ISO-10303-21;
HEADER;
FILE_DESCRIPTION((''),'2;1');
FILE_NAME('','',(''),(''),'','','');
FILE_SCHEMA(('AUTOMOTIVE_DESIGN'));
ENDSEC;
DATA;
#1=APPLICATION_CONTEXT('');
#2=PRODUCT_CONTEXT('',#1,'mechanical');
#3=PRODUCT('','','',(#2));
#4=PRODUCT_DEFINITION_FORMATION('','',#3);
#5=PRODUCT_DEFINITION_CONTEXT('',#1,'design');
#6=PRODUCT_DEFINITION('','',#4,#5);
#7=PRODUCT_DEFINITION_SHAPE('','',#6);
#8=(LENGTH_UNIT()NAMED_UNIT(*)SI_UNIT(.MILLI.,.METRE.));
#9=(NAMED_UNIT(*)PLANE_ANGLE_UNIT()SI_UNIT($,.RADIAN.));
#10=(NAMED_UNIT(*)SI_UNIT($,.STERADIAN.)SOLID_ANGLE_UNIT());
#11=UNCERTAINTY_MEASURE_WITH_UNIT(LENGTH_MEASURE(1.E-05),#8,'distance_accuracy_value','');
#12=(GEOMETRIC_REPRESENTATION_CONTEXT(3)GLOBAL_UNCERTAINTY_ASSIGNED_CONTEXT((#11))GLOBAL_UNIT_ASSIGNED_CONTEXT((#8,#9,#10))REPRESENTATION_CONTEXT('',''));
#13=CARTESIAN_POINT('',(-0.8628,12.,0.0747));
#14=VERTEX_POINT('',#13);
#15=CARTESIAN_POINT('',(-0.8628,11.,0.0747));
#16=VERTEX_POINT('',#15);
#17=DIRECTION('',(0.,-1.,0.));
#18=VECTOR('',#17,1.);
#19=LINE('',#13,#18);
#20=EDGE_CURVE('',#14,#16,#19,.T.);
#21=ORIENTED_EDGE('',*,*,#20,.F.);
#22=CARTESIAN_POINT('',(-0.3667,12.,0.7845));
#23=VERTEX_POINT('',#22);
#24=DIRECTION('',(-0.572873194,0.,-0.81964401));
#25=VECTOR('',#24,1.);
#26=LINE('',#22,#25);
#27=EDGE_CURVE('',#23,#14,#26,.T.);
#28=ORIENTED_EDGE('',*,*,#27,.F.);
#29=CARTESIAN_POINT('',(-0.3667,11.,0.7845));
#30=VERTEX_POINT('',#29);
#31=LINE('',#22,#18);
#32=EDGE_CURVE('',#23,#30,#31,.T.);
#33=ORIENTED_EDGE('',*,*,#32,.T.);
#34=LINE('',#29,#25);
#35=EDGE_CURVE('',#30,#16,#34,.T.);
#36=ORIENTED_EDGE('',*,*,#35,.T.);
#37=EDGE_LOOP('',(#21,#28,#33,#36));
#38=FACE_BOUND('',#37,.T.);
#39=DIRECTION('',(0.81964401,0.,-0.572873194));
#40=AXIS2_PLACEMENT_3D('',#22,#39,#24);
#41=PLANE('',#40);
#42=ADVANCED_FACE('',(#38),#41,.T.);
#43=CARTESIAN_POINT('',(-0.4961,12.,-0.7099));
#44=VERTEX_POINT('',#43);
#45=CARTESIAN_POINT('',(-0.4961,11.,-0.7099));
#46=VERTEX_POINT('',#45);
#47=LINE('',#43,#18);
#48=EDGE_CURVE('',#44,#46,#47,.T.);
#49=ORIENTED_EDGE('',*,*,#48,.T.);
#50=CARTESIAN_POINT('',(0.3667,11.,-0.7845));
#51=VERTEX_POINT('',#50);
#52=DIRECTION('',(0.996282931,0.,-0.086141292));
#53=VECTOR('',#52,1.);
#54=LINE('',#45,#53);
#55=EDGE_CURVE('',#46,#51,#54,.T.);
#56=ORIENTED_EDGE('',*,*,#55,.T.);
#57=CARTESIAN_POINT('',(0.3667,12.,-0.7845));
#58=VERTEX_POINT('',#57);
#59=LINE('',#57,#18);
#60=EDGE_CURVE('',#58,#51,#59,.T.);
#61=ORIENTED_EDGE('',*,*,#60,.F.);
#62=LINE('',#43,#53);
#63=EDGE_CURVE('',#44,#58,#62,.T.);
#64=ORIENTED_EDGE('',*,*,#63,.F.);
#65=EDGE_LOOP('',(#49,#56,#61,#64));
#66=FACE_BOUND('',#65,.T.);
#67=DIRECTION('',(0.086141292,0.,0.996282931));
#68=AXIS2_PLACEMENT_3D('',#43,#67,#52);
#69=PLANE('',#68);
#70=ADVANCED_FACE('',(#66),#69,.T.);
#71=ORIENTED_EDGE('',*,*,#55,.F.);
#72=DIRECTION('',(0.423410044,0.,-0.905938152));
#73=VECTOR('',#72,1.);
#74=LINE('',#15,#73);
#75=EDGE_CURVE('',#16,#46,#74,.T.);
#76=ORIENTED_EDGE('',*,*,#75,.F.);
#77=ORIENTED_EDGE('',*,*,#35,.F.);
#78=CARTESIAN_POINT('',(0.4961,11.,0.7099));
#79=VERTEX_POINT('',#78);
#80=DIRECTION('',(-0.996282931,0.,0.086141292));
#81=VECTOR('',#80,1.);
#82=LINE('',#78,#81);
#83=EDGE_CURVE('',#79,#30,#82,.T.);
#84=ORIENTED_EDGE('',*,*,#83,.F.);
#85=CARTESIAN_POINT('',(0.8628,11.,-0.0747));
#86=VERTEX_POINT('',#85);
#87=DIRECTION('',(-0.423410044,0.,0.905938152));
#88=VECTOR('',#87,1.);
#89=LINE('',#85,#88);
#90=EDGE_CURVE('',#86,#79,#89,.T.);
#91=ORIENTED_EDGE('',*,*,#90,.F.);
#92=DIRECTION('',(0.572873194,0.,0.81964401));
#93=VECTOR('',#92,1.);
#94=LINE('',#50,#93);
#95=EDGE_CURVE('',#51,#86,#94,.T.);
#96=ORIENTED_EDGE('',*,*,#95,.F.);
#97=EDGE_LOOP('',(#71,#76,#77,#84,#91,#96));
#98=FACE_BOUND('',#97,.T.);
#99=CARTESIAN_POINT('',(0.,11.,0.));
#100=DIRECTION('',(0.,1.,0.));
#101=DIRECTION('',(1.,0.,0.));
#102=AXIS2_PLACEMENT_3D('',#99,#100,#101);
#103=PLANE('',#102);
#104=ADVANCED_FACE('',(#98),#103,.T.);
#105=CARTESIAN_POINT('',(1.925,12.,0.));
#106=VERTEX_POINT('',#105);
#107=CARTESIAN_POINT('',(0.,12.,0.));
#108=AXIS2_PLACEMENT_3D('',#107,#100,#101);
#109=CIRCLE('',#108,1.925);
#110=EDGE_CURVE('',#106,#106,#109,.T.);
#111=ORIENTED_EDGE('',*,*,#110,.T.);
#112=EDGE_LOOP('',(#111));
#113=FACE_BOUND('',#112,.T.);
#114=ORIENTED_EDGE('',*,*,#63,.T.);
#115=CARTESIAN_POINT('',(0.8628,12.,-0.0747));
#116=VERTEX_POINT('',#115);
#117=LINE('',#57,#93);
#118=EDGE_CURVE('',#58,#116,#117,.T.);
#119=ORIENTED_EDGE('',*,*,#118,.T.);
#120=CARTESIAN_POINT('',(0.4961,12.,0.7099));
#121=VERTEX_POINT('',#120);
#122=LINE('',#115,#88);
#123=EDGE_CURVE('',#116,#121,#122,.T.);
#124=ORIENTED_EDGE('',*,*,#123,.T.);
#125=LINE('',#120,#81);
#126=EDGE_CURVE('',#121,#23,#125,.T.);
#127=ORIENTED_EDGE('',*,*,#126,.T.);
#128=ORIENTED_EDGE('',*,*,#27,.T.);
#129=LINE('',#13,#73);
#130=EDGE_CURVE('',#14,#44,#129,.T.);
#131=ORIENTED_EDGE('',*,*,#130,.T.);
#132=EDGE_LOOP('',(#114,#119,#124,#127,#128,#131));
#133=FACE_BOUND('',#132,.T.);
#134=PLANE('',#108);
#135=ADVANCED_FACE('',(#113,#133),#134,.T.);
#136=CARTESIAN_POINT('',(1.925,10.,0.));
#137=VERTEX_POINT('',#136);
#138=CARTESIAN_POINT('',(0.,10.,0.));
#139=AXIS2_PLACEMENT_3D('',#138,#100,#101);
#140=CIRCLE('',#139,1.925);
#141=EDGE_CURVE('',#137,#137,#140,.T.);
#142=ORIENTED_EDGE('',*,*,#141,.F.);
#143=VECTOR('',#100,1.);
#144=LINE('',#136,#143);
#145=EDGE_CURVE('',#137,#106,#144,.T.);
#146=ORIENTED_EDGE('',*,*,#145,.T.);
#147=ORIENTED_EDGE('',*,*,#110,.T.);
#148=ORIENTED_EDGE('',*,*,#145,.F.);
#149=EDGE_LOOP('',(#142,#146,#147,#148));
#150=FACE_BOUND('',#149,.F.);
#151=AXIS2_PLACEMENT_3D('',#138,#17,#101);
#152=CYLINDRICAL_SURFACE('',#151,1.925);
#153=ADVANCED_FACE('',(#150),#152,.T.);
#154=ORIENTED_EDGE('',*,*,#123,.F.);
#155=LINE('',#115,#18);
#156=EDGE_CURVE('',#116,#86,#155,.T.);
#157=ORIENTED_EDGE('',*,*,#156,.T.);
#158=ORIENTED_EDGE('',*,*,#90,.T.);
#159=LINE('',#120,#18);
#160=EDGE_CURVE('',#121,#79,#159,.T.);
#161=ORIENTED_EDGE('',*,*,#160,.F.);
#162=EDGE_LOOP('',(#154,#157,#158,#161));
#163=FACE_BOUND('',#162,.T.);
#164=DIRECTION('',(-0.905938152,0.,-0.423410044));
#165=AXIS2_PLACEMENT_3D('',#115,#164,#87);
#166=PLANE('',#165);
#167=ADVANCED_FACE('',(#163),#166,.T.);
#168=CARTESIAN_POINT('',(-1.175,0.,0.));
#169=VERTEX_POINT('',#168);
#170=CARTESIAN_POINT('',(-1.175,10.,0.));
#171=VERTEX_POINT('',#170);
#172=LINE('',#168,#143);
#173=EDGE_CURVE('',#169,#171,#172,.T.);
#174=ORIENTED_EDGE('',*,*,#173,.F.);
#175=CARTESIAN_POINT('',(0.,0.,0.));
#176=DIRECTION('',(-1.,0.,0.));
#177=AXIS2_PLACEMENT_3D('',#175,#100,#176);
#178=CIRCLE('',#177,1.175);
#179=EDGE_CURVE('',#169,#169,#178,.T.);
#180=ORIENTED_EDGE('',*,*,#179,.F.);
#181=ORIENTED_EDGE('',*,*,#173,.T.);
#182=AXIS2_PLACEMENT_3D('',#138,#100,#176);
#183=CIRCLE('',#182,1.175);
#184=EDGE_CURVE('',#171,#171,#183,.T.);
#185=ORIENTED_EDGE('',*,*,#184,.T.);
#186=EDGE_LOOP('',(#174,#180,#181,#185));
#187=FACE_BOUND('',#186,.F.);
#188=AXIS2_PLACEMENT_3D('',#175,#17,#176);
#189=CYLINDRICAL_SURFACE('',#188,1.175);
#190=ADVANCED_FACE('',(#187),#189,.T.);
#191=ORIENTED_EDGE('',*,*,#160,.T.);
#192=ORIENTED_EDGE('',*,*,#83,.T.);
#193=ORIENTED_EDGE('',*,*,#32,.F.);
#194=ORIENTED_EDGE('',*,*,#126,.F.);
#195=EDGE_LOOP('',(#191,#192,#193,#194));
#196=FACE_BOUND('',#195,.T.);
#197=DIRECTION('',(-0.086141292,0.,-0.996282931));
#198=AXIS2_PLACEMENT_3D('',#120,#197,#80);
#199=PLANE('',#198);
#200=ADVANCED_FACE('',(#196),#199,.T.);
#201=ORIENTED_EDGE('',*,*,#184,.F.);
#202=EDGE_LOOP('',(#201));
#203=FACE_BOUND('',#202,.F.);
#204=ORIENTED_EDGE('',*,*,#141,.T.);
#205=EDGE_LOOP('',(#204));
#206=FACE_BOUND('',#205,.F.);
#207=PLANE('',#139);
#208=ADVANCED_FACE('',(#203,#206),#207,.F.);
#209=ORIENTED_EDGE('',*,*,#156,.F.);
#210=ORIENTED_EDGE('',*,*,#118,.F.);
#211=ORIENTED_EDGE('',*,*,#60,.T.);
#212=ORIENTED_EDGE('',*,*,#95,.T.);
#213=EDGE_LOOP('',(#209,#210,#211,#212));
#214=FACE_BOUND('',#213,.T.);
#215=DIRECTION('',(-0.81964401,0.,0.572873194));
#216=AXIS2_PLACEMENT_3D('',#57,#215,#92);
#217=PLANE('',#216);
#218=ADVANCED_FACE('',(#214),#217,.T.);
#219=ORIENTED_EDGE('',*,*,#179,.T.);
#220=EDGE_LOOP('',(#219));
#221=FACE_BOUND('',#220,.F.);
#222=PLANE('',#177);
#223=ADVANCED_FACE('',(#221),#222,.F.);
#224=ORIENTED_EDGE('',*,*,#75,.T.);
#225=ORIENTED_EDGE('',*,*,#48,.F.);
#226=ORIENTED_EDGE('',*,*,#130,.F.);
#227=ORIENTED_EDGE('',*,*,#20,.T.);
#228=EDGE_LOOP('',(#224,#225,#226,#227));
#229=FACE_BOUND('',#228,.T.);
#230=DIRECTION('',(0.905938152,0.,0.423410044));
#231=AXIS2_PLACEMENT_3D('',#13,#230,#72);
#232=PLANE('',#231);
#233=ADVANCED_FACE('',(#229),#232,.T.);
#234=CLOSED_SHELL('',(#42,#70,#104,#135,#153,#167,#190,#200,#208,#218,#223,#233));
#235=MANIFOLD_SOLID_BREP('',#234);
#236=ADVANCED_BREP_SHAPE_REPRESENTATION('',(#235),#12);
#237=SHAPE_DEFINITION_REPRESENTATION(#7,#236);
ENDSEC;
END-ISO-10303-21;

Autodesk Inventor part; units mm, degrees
ref_plane "YZ Plane" through (0, 0, 0) normal (1, 0, 0) x (0, 1, 0)
ref_plane "XZ Plane" through (0, 0, 0) normal (0, 1, 0) x (-1, 0, 0)
ref_plane "XY Plane" through (0, 0, 0) normal (0, 0, 1) x (1, 0, 0)
sketch "Sketch1" plane through (0, 0, 0) normal (0, 1, 0) x (-1, 0, 0)
  circle A0 centre (0, 0) radius 1.175
  dimension "d0" = 2.35
extrude "Extrusion1" add sketch "Sketch1" along normal blind 10
sketch "Sketch2" plane through (0, 10, 0) normal (0, 1, 0) x (1, 0, 0)
  circle A0 centre (0, 0) radius 1.175 projected
  circle A1 centre (0, 0) radius 1.925
  dimension "d3" = 3.85
extrude "Extrusion2" add sketch "Sketch2" along normal blind 2 contours A0 | A1
sketch "Sketch3" plane through (0, 12, 0) normal (0, 1, 0) x (1, 0, 0)
  line L0 (-0.4961, 0.7099) -> (0.3667, 0.7845)
  line L1 (0.3667, 0.7845) -> (0.8628, 0.0747)
  line L2 (0.8628, 0.0747) -> (0.4961, -0.7099)
  line L3 (0.4961, -0.7099) -> (-0.3667, -0.7845)
  line L4 (-0.3667, -0.7845) -> (-0.8628, -0.0747)
  line L5 (-0.8628, -0.0747) -> (-0.4961, 0.7099)
  point P0 (0, 0)
  point P1 (0, 0)
  dimension "d6" = 1.5
extrude "Extrusion3" cut sketch "Sketch3" against normal blind 1
equation "\"d0\" = M2_A"
equation "\"d3\" = M2_B"
equation "\"M2_A\" = 2.35"
equation "\"M2_B\" = 3.85"
properties part number "M2_SCREW_8MM"
